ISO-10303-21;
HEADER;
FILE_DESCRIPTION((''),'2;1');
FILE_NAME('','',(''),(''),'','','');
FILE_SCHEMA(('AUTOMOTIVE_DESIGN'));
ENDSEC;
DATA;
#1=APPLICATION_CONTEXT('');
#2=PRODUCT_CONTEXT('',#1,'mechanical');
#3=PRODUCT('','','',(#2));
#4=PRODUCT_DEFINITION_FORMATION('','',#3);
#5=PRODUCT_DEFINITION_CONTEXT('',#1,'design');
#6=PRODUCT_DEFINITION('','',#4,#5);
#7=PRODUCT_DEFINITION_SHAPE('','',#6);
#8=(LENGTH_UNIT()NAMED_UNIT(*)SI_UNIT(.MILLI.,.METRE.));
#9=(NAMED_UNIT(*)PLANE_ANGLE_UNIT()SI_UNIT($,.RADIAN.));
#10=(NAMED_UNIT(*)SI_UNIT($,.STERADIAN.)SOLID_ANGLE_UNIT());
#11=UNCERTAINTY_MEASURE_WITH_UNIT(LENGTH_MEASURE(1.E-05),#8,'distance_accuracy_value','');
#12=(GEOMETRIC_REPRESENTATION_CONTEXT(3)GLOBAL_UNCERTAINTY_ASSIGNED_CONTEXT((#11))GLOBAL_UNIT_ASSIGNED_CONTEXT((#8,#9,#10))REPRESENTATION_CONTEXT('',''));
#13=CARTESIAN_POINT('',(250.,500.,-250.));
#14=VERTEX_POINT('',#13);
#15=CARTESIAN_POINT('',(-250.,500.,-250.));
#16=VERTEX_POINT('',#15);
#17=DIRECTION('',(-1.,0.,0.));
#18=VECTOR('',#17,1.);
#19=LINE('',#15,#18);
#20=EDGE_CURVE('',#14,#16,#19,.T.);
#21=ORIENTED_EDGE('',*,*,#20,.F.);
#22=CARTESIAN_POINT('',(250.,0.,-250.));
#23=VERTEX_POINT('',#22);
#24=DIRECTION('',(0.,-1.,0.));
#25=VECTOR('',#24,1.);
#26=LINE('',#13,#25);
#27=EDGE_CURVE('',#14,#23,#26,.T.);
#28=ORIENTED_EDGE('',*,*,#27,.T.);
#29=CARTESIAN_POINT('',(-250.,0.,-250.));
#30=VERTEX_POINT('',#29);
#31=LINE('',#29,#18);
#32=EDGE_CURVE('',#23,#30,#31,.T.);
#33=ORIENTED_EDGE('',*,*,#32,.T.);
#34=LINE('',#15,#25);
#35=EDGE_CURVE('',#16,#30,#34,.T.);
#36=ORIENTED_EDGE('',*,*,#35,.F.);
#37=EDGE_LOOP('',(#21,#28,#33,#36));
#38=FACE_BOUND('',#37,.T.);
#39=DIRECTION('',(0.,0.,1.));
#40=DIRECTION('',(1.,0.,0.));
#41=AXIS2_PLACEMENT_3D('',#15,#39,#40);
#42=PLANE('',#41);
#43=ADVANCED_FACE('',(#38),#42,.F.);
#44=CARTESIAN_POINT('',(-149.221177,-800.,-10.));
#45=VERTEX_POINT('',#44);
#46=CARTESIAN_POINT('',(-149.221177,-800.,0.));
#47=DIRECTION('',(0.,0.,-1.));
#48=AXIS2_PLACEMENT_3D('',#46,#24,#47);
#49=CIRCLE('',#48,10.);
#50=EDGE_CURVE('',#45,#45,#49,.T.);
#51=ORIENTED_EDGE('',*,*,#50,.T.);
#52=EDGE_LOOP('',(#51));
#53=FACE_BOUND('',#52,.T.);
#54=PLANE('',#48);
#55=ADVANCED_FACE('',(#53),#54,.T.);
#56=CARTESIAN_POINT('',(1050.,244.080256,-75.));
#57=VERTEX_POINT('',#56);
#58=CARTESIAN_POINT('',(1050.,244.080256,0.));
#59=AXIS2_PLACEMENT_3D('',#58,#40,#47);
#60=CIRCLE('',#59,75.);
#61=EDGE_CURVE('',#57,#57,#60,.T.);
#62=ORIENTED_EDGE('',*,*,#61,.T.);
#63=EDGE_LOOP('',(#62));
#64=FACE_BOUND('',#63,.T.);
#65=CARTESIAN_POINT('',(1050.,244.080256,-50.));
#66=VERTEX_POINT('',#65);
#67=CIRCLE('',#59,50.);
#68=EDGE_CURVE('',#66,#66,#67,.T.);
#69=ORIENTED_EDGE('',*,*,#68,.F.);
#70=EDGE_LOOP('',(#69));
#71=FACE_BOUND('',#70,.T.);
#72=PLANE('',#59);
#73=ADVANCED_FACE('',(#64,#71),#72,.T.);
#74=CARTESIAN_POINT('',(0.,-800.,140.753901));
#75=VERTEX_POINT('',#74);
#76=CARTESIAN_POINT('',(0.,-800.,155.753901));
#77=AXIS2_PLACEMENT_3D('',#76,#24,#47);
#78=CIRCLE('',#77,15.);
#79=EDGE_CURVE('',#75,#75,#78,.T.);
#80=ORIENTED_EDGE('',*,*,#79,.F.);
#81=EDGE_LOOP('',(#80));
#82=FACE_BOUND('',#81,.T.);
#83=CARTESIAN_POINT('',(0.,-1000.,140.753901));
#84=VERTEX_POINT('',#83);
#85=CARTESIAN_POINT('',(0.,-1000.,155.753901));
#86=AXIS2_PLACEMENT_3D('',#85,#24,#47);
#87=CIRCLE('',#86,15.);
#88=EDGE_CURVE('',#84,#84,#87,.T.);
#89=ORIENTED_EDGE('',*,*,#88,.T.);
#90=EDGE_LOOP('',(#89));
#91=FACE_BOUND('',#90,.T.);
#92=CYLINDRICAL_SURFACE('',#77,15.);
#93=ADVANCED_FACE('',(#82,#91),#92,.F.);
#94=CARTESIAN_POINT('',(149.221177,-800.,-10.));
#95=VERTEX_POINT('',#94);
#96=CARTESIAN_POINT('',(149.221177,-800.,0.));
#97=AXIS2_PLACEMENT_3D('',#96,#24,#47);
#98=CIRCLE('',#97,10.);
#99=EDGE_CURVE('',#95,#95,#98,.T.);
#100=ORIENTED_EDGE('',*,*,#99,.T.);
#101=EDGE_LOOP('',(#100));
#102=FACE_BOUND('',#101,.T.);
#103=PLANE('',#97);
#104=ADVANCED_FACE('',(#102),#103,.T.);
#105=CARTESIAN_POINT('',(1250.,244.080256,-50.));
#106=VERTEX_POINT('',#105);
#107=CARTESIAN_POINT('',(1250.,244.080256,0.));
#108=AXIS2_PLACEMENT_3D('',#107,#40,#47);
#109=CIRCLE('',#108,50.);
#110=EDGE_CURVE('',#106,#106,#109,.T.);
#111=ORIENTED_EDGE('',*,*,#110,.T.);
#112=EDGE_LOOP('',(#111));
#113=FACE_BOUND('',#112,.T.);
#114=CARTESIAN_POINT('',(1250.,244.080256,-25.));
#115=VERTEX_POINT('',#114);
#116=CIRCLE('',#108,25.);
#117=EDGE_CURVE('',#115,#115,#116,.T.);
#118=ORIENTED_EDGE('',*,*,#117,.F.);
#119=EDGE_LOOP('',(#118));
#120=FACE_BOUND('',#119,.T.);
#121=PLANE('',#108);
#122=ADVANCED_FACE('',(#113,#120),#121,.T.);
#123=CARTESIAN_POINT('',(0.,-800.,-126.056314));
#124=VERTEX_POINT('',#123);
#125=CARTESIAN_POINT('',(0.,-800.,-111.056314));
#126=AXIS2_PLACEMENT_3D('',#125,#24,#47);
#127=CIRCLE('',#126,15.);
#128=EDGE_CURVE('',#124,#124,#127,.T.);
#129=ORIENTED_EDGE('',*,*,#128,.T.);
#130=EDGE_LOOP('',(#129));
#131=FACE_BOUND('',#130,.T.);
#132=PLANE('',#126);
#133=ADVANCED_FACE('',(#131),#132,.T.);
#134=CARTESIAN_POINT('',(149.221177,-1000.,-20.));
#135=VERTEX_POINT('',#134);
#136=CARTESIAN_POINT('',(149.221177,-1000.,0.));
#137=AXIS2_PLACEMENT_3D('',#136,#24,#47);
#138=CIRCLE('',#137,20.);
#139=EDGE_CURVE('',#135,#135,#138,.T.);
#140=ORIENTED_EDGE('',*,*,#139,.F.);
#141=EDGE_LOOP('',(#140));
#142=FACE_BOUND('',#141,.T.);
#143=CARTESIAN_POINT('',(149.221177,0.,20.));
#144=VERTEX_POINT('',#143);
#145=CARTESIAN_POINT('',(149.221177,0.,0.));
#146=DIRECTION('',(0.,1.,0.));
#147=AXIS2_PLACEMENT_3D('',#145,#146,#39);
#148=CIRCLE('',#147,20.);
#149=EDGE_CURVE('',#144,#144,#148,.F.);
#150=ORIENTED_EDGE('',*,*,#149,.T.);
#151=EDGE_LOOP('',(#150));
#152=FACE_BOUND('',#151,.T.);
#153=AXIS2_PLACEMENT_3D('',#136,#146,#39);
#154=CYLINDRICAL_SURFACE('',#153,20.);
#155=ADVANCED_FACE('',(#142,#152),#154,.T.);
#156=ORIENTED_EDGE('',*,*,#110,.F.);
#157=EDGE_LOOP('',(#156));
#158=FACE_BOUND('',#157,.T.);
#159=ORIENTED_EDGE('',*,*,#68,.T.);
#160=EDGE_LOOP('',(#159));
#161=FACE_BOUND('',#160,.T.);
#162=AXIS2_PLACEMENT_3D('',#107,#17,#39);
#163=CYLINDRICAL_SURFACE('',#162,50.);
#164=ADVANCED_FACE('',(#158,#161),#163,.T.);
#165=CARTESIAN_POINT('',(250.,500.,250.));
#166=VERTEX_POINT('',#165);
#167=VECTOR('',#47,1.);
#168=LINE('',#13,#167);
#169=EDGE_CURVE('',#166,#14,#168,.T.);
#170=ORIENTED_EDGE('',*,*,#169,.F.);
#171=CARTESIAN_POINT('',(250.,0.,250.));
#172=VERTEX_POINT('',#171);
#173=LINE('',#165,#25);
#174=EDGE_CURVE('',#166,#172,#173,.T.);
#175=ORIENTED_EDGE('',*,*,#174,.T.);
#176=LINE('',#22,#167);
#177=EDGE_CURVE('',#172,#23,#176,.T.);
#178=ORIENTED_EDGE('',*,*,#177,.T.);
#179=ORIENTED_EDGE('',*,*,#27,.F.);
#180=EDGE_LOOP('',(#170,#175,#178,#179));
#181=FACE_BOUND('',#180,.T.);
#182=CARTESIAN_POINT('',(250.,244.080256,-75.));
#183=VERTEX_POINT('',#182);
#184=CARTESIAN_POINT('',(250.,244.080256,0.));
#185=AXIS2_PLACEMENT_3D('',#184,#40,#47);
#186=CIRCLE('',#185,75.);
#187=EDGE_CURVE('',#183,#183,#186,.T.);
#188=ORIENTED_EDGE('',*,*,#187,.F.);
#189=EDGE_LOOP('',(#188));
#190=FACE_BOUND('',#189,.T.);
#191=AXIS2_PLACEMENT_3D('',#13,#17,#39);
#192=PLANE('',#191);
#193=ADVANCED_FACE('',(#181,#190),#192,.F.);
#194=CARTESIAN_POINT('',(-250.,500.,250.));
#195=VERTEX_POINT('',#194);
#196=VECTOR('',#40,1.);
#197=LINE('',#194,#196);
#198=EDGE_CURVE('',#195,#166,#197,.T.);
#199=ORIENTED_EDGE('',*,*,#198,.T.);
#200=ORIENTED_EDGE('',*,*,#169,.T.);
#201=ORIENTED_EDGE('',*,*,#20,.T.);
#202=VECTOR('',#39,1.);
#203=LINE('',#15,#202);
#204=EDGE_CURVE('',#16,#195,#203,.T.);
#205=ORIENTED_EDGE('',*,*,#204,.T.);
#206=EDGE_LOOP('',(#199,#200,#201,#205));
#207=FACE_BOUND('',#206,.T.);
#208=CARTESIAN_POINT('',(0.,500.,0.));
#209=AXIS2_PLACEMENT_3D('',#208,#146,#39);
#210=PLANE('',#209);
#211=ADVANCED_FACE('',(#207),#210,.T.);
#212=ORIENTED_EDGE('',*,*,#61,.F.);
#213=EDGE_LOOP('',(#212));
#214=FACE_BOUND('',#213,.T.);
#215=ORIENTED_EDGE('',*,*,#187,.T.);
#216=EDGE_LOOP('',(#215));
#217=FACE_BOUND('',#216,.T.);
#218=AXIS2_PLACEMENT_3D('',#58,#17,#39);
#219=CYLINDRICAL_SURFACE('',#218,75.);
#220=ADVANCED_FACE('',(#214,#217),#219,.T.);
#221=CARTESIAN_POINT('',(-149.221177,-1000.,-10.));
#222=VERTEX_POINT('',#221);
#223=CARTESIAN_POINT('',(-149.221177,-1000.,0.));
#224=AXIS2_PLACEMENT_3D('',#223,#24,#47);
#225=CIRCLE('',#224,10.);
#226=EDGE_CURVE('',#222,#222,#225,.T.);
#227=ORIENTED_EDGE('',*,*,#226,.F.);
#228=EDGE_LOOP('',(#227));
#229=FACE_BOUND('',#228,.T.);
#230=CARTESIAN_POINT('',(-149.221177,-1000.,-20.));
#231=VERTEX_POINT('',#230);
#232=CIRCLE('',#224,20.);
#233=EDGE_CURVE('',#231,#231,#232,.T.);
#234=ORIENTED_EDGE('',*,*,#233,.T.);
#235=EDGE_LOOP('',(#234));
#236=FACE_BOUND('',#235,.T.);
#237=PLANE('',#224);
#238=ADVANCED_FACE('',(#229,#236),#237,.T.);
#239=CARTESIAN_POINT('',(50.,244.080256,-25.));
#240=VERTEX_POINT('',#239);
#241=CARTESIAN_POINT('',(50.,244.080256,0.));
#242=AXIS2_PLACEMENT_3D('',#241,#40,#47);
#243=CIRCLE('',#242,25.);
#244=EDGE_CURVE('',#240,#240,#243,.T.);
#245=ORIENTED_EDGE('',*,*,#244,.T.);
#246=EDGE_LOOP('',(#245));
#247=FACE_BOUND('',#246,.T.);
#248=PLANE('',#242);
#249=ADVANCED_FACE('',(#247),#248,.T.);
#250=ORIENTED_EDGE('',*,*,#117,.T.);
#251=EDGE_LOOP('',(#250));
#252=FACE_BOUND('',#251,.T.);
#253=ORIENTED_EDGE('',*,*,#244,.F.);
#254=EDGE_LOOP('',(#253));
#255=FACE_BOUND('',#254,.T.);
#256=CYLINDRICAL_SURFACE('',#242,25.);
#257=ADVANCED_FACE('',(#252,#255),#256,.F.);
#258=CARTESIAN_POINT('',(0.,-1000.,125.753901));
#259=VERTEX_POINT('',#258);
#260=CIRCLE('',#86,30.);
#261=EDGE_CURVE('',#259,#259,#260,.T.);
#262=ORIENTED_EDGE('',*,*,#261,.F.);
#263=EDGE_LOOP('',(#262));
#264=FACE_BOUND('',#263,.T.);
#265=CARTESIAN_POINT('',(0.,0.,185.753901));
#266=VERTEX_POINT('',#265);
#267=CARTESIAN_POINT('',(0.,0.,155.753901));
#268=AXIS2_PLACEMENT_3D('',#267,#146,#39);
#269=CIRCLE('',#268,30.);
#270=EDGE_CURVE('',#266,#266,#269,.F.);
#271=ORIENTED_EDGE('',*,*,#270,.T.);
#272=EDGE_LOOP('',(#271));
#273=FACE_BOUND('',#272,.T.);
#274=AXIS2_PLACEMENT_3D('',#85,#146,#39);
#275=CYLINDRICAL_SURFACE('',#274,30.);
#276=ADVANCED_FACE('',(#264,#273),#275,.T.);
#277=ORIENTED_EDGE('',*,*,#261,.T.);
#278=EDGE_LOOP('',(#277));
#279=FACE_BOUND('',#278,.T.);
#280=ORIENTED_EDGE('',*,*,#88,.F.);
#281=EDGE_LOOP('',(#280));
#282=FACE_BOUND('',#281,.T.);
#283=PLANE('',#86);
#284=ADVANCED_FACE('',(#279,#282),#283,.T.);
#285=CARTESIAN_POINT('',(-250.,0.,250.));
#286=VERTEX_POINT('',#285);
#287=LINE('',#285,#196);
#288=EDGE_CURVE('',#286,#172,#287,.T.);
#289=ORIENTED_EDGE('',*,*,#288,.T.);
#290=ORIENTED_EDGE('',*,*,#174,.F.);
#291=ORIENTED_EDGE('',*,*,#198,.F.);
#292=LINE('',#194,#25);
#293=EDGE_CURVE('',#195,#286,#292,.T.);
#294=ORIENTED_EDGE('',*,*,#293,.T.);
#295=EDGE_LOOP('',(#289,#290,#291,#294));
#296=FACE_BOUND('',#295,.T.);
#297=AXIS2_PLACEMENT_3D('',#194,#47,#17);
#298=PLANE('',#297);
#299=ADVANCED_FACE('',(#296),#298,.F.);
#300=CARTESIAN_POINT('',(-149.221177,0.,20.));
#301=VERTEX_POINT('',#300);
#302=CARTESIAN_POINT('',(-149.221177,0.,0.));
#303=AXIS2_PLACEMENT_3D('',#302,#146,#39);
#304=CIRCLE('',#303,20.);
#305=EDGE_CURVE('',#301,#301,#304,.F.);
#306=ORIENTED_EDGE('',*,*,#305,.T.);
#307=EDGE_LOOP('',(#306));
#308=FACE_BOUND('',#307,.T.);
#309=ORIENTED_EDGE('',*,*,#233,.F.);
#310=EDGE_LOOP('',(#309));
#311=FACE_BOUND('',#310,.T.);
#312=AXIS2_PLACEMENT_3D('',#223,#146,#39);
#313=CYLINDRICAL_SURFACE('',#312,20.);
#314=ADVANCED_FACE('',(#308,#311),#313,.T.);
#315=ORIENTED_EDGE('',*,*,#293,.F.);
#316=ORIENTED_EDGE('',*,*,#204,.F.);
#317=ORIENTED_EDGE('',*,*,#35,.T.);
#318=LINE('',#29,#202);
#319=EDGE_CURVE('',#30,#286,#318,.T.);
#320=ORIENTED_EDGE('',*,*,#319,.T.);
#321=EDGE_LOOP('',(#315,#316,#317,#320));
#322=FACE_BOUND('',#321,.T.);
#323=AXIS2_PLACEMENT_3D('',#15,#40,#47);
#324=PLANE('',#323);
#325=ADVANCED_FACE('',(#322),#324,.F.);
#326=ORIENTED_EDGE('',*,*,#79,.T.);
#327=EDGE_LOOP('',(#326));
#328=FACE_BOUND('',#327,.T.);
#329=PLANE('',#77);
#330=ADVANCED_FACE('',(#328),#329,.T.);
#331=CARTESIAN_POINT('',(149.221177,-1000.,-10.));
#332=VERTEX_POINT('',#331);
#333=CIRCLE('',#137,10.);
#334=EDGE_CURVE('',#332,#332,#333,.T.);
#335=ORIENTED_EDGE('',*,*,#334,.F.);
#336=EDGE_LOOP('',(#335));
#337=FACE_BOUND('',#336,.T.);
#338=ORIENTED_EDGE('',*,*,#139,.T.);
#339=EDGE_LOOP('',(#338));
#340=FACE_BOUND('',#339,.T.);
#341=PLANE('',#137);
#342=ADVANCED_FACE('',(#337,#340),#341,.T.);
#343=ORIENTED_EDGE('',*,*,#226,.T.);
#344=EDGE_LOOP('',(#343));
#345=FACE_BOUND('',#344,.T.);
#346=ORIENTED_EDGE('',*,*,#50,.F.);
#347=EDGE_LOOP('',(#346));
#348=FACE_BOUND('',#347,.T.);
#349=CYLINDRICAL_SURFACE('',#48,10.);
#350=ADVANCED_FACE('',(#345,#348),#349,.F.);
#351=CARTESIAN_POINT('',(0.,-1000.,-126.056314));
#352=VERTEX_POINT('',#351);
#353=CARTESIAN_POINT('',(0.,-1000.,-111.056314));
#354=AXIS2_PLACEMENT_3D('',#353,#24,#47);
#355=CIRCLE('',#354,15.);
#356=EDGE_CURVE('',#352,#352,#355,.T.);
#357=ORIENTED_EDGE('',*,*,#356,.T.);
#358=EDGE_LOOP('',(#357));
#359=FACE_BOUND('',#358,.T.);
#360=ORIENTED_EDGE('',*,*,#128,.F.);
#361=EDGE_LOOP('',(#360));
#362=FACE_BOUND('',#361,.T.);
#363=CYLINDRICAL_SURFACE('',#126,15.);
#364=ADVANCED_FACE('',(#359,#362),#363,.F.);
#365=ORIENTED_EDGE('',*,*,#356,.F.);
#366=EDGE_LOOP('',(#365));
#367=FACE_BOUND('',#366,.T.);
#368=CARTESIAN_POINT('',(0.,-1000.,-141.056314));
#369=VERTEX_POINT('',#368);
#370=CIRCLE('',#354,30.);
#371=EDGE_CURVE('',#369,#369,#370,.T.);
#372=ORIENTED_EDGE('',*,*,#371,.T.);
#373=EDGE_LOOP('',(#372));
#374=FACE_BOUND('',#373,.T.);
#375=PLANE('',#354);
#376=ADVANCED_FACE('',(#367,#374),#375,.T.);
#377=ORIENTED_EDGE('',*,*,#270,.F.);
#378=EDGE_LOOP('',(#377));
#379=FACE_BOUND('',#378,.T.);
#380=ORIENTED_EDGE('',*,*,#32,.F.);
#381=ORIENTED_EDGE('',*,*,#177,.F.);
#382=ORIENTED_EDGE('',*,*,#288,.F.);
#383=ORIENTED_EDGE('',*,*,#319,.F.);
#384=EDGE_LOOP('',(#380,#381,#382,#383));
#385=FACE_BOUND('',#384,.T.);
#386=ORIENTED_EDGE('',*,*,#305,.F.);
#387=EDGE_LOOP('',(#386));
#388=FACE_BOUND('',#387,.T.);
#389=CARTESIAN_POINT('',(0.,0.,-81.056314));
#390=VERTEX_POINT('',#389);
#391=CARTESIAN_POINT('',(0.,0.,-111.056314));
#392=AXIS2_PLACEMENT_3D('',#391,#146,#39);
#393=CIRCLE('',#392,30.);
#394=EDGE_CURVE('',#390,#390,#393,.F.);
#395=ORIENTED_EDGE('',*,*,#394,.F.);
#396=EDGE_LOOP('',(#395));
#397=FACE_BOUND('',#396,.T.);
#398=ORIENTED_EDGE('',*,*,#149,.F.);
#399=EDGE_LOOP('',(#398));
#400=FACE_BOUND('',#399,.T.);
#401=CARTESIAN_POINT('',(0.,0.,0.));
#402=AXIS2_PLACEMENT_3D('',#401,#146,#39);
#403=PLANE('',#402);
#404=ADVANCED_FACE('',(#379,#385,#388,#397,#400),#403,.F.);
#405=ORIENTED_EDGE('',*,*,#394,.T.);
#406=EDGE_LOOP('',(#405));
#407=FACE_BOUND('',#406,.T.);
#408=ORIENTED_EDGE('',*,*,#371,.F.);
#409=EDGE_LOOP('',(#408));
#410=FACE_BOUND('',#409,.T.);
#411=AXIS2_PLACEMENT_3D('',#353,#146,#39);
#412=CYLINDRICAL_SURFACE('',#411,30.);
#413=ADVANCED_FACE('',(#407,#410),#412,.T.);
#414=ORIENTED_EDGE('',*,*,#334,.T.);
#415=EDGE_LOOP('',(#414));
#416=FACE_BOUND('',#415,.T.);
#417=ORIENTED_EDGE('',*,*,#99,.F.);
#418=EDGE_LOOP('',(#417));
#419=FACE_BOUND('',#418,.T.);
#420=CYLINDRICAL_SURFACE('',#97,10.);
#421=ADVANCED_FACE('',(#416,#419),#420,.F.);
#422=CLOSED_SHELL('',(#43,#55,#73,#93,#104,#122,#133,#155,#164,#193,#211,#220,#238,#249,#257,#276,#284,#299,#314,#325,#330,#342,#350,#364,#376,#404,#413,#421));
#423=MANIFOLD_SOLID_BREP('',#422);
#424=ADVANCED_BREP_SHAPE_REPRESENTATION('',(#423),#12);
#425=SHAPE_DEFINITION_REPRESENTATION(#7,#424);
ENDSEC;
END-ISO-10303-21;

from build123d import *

# Parameters (mm, degrees)
SKETCH1_W           = 500
SKETCH1_H           = 500
BOSS_EXTRUDE1_DEPTH = 500
SKETCH2_R           = 30
SKETCH2_R_2         = 20
BOSS_EXTRUDE2_DEPTH = 1000
SKETCH3_R           = 75
BOSS_EXTRUDE3_DEPTH = 800
SKETCH4_R           = 50
BOSS_EXTRUDE4_DEPTH = 200
SKETCH5_R           = 25
CUT_EXTRUDE1_DEPTH  = 1200
SKETCH6_R           = 15
SKETCH6_R_2         = 10
CUT_EXTRUDE2_DEPTH  = 200


with BuildPart() as part:
    # Sketch1 → Boss-Extrude1 (new body)
    with BuildSketch(Plane(origin=(0, 0, 0), x_dir=(1, 0, 0), z_dir=(0, 1, 0))):
        Rectangle(SKETCH1_W, SKETCH1_H)
    extrude(amount=BOSS_EXTRUDE1_DEPTH)

    # Sketch2 → Boss-Extrude2 (add)
    with BuildSketch(Plane.XZ):
        with Locations(Location((0, 155.7539011, 0), (0, 0, 90))):
            Circle(SKETCH2_R)
        with Locations(Location((-149.221176771, 0, 0), (0, 0, 90))):
            Circle(SKETCH2_R_2)
        with Locations(Location((149.221176771, 0, 0), (0, 0, 90))):
            Circle(SKETCH2_R_2)
        with Locations(Location((0, -111.056313588, 0), (0, 0, 90))):
            Circle(SKETCH2_R)
    extrude(amount=BOSS_EXTRUDE2_DEPTH)

    # Sketch3 → Boss-Extrude3 (add)
    with BuildSketch(Plane(origin=(250, 0, 0), x_dir=(0, 0, -1), z_dir=(1, 0, 0))):
        with Locations((0, 244.080255808)):
            Circle(SKETCH3_R)
    extrude(amount=BOSS_EXTRUDE3_DEPTH)

    # Sketch4 → Boss-Extrude4 (add)
    with BuildSketch(Plane(origin=(1050, 0, 0), x_dir=(0, 0, -1), z_dir=(1, 0, 0))):
        with Locations((0, 244.080255808)):
            Circle(SKETCH4_R)
    extrude(amount=BOSS_EXTRUDE4_DEPTH)

    # Sketch5 → Cut-Extrude1 (cut)
    with BuildSketch(Plane(origin=(1250, 0, 0), x_dir=(0, 0, -1), z_dir=(1, 0, 0))):
        with Locations((0, 244.080255808)):
            Circle(SKETCH5_R)
    extrude(amount=-CUT_EXTRUDE1_DEPTH, mode=Mode.SUBTRACT)

    # Sketch6 → Cut-Extrude2 (cut)
    with BuildSketch(Plane.XZ.offset(1000)):
        with Locations(Location((0, 155.7539011, 0), (0, 0, 270))):
            Circle(SKETCH6_R)
        with Locations(Location((149.221176771, 0, 0), (0, 0, 270))):
            Circle(SKETCH6_R_2)
        with Locations(Location((0, -111.056313588, 0), (0, 0, 270))):
            Circle(SKETCH6_R)
        with Locations(Location((-149.221176771, 0, 0), (0, 0, 270))):
            Circle(SKETCH6_R_2)
    extrude(amount=-CUT_EXTRUDE2_DEPTH, mode=Mode.SUBTRACT)


solid = part.part
